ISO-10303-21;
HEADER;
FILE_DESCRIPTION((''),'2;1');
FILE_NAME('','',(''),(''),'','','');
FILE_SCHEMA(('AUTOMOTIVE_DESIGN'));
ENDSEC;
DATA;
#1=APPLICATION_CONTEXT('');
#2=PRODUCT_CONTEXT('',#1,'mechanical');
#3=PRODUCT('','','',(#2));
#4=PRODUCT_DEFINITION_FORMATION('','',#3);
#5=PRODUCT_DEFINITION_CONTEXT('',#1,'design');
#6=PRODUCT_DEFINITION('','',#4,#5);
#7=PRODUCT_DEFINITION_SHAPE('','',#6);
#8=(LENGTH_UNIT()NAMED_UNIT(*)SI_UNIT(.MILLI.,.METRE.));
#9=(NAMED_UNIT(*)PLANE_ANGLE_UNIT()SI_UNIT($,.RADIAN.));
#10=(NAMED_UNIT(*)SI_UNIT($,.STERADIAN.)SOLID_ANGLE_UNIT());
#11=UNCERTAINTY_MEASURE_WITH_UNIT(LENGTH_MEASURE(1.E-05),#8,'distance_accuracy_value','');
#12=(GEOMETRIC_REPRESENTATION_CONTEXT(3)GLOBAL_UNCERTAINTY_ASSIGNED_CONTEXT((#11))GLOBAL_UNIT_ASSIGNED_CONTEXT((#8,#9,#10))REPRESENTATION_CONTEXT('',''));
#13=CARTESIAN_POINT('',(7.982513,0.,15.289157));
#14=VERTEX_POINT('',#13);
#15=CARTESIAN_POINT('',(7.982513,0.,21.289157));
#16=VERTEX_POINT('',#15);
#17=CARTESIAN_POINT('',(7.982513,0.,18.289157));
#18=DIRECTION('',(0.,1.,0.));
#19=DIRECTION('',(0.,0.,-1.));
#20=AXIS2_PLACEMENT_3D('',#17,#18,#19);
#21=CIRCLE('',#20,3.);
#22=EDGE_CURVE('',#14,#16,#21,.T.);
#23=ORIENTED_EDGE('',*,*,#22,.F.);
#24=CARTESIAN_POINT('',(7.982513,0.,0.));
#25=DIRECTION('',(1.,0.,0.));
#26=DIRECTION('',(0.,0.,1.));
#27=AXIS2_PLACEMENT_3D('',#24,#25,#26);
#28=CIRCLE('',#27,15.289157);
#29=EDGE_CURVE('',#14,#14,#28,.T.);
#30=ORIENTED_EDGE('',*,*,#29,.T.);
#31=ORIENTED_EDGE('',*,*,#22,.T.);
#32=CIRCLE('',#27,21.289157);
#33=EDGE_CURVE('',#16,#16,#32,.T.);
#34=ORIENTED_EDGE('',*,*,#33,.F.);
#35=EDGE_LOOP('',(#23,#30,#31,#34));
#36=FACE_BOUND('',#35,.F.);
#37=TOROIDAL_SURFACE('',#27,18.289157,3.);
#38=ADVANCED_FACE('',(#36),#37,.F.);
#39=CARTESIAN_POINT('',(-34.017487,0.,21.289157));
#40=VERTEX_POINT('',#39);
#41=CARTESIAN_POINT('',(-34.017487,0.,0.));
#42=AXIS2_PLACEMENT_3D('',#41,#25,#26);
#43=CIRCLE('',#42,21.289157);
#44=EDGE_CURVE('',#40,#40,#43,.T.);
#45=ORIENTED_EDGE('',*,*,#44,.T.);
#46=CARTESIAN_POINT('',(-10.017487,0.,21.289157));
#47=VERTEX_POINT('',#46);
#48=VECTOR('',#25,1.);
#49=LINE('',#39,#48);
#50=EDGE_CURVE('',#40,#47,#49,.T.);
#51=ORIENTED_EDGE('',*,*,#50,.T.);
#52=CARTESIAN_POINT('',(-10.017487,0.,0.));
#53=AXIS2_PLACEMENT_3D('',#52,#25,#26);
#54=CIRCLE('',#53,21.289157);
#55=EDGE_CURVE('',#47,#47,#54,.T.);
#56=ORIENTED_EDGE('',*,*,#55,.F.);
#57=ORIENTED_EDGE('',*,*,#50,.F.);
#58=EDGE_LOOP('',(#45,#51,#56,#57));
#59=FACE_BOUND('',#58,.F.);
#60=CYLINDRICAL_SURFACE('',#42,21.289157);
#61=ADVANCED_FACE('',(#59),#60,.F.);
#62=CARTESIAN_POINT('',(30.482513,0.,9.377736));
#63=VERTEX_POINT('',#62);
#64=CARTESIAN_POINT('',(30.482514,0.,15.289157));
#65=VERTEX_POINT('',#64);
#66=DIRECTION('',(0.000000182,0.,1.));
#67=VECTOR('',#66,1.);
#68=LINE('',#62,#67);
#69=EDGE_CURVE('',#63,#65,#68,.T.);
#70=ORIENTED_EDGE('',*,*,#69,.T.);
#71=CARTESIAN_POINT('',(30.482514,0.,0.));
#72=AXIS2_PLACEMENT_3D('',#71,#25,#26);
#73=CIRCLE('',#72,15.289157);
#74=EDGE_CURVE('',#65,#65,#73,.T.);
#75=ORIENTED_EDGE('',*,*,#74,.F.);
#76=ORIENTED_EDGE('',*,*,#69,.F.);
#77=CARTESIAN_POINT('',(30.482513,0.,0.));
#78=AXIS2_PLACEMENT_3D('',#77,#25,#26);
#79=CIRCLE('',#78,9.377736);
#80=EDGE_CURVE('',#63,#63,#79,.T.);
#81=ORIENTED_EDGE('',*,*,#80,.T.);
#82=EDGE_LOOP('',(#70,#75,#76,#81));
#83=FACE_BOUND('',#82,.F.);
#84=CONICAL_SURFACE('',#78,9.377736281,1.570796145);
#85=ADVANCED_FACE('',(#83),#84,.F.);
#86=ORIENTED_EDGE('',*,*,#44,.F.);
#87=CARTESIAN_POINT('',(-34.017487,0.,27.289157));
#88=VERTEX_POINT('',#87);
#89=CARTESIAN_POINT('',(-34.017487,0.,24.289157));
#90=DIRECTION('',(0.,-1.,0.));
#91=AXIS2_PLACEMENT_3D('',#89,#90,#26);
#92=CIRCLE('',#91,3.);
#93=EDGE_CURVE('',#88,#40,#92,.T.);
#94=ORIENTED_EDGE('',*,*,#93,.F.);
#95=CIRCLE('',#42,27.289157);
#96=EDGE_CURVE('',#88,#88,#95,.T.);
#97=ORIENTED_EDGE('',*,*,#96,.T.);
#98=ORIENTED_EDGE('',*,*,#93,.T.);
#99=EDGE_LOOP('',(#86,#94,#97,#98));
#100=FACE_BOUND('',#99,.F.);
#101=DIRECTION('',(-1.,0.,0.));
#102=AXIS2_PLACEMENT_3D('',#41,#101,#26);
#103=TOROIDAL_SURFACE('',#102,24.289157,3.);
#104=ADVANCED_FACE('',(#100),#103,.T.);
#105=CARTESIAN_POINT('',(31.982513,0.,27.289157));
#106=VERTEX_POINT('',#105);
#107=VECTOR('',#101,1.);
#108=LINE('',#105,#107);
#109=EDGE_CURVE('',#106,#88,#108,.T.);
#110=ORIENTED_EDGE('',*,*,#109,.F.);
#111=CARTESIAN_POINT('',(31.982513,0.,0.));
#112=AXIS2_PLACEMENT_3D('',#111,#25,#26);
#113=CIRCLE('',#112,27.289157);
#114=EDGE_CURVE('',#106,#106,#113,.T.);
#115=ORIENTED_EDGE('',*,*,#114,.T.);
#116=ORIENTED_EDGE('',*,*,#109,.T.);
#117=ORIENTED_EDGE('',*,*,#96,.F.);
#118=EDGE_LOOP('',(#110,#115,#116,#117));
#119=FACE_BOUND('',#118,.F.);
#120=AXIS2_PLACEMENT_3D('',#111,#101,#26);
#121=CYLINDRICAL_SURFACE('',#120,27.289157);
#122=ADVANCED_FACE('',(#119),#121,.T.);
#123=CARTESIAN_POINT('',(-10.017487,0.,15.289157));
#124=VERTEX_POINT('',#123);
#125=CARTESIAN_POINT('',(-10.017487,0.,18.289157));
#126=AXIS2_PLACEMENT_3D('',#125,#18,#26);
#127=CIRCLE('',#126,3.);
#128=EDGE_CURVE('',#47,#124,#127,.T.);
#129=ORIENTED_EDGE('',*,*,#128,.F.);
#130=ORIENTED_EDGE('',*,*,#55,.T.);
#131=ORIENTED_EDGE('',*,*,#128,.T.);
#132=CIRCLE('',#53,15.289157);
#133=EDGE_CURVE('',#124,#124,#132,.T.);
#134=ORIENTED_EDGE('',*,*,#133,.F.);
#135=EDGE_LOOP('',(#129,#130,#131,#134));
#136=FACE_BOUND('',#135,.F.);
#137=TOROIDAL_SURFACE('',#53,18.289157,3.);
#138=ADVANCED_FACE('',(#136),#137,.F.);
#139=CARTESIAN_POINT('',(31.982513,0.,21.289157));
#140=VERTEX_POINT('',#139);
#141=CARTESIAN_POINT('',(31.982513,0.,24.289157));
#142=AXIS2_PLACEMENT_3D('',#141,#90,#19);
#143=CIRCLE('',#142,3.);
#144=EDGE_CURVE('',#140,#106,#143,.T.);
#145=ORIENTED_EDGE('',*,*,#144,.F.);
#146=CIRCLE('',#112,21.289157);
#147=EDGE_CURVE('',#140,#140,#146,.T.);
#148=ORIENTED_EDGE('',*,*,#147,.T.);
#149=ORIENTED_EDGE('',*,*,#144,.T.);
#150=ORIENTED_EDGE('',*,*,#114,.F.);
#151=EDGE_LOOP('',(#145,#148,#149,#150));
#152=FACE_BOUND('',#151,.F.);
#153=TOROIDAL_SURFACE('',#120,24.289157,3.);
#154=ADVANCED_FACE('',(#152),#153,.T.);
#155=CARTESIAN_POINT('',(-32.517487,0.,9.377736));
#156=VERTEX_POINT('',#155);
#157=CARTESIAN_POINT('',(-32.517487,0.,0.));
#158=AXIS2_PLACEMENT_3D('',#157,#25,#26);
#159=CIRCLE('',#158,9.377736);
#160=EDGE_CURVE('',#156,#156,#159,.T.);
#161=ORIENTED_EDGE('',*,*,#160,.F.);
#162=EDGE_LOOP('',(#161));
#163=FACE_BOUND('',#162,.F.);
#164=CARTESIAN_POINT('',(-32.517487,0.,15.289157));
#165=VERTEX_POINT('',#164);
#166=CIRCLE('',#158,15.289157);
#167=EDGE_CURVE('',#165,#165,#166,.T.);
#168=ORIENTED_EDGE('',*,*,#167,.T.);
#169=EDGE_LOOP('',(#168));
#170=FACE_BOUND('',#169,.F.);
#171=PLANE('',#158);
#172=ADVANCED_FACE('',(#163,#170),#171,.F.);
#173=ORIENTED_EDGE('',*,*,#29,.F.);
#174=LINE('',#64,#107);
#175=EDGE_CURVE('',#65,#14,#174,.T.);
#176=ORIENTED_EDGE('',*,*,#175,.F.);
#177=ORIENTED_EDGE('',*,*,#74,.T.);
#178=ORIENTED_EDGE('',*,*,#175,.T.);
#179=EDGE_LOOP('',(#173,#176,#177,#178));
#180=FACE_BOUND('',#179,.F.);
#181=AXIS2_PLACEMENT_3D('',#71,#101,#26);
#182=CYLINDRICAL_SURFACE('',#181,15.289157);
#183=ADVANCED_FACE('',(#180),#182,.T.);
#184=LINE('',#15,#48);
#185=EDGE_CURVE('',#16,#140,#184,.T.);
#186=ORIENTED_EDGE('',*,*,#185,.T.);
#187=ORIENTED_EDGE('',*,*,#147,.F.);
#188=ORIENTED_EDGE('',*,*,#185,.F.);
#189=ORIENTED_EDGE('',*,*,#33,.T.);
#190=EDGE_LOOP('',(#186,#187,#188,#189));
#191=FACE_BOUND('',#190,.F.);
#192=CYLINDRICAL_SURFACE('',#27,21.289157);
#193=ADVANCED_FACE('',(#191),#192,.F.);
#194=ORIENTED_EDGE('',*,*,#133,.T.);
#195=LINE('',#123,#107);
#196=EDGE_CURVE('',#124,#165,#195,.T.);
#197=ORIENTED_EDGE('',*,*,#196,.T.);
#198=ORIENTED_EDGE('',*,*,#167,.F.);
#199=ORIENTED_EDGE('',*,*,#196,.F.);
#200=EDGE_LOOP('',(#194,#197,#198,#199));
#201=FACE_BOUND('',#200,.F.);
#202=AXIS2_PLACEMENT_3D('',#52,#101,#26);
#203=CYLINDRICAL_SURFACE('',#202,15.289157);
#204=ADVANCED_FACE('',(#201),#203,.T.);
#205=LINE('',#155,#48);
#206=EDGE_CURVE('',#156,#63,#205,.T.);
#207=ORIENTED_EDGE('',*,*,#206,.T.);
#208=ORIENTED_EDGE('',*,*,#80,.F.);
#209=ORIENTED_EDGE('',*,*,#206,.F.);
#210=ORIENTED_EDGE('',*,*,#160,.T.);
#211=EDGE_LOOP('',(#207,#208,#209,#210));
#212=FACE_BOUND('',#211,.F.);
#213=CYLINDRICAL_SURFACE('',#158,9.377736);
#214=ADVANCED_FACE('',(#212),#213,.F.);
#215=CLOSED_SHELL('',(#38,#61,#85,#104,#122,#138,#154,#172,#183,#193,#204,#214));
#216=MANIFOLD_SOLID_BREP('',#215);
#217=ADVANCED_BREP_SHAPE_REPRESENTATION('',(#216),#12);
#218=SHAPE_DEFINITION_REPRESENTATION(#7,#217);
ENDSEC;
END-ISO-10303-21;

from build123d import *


with BuildPart() as f2:
    # F0 (on Front) → F2 (revolve)
    with BuildSketch(Plane.XZ):
        with BuildLine():
            Line((31.9825133782, 27.2891572416), (-34.0174866218, 27.2891572416))
            ThreePointArc((-34.0174866218, 27.2891572416), (-37.0174866218, 24.2891572416), (-34.0174866218, 21.2891572416))
            Line((-34.0174866218, 21.2891572416), (-10.0174866218, 21.2891572416))
            ThreePointArc((-10.0174866218, 21.2891572416), (-7.0174866218, 18.2891572416), (-10.0174866218, 15.2891572416))
            Line((-10.0174866218, 15.2891572416), (-32.51748716, 15.2891572416))
            Line((-32.51748716, 15.2891572416), (-32.51748716, 9.3777362813))
            Line((-32.51748716, 9.3777362813), (30.48251284, 9.3777362813))
            Line((30.48251284, 9.3777362813), (30.4825139164, 15.2891572416))
            Line((30.4825139164, 15.2891572416), (7.9825133782, 15.2891572416))
            ThreePointArc((7.9825133782, 15.2891572416), (4.9825133782, 18.2891572416), (7.9825133782, 21.2891572416))
            Line((7.9825133782, 21.2891572416), (31.9825133782, 21.2891572416))
            ThreePointArc((31.9825133782, 21.2891572416), (34.9825133782, 24.2891572416), (31.9825133782, 27.2891572416))
        make_face()
    revolve(axis=Axis((0, 0, 0), (1, 0, 0)))


solid = f2.part
